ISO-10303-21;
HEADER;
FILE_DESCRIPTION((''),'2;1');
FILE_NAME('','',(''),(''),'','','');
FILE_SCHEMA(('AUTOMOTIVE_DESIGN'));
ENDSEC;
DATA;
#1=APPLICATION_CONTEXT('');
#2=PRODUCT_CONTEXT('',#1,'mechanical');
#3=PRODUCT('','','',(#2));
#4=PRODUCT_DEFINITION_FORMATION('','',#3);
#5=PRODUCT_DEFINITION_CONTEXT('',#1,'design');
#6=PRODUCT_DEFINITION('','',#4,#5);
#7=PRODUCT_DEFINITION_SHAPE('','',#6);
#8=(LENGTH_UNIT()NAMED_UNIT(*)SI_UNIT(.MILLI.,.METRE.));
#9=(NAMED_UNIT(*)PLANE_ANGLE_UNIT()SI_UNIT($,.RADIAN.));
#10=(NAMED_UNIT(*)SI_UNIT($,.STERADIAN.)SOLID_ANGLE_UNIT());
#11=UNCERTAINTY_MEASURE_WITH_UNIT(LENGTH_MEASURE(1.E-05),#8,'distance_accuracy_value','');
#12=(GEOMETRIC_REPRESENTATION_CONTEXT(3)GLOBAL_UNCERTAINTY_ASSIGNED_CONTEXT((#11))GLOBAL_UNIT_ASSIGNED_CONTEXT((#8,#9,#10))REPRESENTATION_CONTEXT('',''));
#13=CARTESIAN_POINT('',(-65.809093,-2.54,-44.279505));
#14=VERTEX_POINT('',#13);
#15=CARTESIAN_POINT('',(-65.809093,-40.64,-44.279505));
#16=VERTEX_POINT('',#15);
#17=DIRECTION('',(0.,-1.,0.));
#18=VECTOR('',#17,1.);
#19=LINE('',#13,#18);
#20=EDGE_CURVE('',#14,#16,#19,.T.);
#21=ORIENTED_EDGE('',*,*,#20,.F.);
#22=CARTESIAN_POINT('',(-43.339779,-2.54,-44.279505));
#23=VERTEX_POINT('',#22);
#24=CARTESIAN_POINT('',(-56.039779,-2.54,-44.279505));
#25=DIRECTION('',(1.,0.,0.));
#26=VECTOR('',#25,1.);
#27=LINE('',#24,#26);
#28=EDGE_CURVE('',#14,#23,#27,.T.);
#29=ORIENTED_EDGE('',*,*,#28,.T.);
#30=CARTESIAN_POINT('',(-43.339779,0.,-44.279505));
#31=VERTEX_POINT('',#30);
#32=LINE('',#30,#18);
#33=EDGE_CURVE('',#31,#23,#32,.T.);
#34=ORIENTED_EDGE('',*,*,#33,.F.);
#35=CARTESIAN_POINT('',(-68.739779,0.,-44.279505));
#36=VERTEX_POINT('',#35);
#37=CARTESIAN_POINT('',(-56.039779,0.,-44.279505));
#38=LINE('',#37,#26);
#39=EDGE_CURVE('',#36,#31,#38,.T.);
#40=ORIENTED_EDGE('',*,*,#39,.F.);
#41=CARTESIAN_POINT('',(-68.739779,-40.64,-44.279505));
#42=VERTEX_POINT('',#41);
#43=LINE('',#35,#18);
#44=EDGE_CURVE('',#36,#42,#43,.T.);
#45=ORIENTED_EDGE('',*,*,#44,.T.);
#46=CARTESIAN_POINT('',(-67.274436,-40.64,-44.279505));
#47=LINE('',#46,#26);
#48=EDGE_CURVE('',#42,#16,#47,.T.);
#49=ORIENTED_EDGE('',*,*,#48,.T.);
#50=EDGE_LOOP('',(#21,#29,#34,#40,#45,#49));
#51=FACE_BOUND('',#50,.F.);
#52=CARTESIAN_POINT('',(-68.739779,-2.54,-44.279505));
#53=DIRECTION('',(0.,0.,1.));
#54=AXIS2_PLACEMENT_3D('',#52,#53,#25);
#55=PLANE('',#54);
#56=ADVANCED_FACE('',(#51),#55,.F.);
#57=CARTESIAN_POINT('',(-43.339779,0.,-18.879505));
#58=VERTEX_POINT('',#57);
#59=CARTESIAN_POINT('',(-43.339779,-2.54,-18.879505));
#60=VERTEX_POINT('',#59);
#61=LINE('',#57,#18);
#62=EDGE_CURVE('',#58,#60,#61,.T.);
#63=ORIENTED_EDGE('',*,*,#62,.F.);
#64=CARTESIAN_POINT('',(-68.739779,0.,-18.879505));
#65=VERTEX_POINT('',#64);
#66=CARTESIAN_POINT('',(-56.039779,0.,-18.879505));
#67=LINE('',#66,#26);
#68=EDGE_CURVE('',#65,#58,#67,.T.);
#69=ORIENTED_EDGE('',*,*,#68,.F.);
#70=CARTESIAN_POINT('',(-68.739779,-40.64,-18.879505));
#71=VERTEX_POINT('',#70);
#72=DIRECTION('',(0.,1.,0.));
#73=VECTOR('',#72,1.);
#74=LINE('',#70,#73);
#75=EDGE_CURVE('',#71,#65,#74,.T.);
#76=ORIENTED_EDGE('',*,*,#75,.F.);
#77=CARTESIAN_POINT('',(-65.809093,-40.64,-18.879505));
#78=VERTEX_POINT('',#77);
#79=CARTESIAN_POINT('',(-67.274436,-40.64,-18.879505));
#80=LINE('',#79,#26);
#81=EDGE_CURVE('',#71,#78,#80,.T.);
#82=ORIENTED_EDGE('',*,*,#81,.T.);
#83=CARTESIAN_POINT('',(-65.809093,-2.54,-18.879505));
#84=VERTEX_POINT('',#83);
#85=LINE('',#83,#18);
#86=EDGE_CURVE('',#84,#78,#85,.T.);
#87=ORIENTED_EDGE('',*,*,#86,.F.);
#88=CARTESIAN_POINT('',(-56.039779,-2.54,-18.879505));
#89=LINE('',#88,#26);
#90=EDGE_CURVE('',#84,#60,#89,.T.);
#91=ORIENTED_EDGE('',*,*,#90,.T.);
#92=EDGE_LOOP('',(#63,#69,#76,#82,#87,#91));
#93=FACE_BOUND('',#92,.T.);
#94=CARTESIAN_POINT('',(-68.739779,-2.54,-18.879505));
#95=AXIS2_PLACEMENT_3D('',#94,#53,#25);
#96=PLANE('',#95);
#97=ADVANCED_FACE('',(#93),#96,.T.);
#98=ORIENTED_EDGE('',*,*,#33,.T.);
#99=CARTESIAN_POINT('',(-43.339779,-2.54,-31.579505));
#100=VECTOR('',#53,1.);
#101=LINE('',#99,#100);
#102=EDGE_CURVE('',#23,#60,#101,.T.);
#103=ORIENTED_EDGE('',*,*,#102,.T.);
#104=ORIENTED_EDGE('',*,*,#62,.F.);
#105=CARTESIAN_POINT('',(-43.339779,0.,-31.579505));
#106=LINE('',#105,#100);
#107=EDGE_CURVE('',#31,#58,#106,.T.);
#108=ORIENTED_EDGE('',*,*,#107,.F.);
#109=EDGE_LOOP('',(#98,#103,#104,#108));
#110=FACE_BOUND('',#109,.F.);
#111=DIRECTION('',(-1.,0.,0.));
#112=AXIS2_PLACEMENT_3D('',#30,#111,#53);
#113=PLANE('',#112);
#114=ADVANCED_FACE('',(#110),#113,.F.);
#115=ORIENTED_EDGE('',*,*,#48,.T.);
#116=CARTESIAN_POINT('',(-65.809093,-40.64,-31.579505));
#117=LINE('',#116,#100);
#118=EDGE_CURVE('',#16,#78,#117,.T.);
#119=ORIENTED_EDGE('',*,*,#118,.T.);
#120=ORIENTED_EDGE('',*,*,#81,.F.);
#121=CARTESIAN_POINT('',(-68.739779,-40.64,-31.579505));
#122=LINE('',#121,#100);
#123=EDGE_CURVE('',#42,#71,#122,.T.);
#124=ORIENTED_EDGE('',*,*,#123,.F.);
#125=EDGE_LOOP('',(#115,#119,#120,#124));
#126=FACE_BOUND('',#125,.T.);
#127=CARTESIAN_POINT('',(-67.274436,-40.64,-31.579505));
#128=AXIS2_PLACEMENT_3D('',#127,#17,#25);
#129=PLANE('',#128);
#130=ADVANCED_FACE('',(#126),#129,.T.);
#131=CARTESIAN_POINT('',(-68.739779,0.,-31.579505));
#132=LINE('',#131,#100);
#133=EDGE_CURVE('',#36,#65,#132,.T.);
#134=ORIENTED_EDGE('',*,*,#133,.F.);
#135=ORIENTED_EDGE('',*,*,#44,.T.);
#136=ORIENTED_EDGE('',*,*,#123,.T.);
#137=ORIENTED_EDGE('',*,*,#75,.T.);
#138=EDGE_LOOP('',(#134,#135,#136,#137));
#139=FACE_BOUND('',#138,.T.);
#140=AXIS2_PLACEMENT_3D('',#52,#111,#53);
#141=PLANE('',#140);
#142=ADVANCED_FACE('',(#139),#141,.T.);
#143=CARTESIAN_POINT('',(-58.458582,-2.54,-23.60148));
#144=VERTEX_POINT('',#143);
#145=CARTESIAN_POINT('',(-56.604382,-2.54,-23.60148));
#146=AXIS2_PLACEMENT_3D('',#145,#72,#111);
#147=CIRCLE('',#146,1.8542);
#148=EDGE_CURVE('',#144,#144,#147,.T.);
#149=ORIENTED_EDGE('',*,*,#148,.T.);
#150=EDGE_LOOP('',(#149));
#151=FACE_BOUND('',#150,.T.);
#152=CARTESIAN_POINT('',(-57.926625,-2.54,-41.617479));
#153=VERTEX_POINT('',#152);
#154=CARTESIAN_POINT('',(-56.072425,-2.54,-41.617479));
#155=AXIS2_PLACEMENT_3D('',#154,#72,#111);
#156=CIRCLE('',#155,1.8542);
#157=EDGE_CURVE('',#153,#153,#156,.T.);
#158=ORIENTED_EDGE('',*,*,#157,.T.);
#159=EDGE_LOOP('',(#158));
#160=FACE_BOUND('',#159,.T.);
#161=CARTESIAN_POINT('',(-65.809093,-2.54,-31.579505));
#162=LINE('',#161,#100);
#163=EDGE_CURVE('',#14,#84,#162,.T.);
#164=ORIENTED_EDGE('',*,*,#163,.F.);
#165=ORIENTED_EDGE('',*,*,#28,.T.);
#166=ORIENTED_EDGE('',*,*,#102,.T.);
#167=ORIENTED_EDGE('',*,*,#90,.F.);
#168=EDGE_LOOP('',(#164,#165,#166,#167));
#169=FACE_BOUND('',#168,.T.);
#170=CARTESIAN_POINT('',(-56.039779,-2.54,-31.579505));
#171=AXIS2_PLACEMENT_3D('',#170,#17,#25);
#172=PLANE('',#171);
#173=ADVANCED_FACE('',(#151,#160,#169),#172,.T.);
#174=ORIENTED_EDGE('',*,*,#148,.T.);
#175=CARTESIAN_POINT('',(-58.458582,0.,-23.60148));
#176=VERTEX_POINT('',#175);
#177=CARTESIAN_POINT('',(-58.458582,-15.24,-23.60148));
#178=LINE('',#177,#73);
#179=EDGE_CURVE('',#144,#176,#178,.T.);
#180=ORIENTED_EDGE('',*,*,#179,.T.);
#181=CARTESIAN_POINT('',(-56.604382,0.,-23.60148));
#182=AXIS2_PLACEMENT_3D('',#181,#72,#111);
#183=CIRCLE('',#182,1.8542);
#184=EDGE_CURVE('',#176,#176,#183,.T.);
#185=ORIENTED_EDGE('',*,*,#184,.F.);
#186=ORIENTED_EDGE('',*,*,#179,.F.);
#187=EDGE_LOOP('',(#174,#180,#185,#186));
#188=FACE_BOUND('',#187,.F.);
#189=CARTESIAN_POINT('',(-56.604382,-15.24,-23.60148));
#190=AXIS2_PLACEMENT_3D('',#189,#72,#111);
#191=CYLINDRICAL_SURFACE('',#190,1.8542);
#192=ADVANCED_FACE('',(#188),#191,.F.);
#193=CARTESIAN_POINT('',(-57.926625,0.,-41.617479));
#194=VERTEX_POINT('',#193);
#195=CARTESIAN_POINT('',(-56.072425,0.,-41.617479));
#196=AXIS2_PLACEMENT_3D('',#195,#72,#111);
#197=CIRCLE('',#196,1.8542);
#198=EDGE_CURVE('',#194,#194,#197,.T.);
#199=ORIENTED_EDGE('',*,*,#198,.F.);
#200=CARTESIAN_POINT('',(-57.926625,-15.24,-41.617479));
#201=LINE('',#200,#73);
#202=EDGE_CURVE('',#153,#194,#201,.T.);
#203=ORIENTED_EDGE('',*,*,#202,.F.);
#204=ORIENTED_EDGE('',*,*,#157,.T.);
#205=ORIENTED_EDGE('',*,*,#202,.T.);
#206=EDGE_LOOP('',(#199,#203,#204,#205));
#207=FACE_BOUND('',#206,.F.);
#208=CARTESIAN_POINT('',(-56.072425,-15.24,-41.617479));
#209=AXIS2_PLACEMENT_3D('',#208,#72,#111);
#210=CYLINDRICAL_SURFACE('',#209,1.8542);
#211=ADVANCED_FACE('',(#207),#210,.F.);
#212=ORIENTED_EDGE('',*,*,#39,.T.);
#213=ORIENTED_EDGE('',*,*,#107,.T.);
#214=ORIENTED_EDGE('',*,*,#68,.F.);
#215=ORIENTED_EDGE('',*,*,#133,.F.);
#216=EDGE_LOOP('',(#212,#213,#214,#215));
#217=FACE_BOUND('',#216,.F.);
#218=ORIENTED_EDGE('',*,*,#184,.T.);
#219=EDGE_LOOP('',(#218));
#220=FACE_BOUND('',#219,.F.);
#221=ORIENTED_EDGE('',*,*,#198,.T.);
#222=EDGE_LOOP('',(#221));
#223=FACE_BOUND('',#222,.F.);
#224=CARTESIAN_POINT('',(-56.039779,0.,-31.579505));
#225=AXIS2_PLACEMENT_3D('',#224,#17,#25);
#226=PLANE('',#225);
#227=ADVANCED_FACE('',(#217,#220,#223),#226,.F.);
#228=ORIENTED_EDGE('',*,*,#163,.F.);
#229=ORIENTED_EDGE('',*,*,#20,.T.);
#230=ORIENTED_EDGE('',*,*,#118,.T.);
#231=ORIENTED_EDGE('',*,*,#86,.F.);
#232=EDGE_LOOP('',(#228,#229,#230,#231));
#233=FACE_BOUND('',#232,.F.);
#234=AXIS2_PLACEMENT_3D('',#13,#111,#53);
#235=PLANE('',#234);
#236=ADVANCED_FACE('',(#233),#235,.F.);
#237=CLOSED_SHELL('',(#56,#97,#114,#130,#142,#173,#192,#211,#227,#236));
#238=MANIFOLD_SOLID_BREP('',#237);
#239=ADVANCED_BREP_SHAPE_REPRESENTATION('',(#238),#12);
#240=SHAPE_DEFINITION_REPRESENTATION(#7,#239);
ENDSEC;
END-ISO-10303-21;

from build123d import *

# Parameters (mm, degrees)
F0_W      = 25.4
F0_H      = 24.1169882938
F1_DEPTH  = 2.54
F0_H_2    = 25.4
F2_W      = 2.9306858778
F2_H      = 25.4
F4_DEPTH  = 38.1
F3_W      = 2.9306774
F3_H      = 24.1169882938
F6_D      = 3.7084
F6_DEPTH  = 12.7
F6_TIP    = 1.1141157598
F8_D      = 3.7084
F8_DEPTH  = 12.7
F8_TIP    = 1.1141157598
F11_D     = 3.7084
F11_DEPTH = 12.7
F11_TIP   = 1.1141157598


with BuildPart() as f1:
    # F0 (on Front) → F1 (new body)
    with BuildSketch(Plane.XZ):
        with Locations((25.2723555684, -23.3813137747)):
            Rectangle(F0_W, F0_H)
    extrude(amount=F1_DEPTH)

    # F3 (on face) → F4, piece 2 (join)
    with BuildSketch(Plane.XZ.offset(2.54)):
        with Locations((36.5070168684, -23.3813137747)):
            Rectangle(F3_W, F3_H)
    extrude(amount=F4_DEPTH)

    # F8
    with Locations(Plane.XZ.offset(2.54)):
        with Locations((24.4828648865, -16.1586906761)):
            Hole(F8_D / 2, depth=F8_DEPTH)
            with Locations((0, 0, -(F8_DEPTH + F8_TIP / 2))):  # 118° drill point
                Cone(0, F8_D / 2, F8_TIP, mode=Mode.SUBTRACT)


with BuildPart() as f1b:
    # F0 (on Front) → F1, piece 2 (new body)
    with BuildSketch(Plane.XZ):
        with Locations((-56.0397792935, -31.5795045674)):
            Rectangle(F0_W, F0_H_2)
    extrude(amount=F1_DEPTH)

    # F2 (on face) → F4 (join)
    with BuildSketch(Plane.XZ.offset(2.54)):
        with Locations((-67.2744363546, -31.5795045674)):
            Rectangle(F2_W, F2_H)
    extrude(amount=F4_DEPTH)

    # F6
    with Locations(Plane.XZ.offset(2.54)):
        with Locations((-56.6043816507, -23.6014798284)):
            Hole(F6_D / 2, depth=F6_DEPTH)
            with Locations((0, 0, -(F6_DEPTH + F6_TIP / 2))):  # 118° drill point
                Cone(0, F6_D / 2, F6_TIP, mode=Mode.SUBTRACT)

    # F11
    with Locations(Plane.XZ.offset(2.54)):
        with Locations((-56.0724250972, -41.6174791753)):
            Hole(F11_D / 2, depth=F11_DEPTH)
            with Locations((0, 0, -(F11_DEPTH + F11_TIP / 2))):  # 118° drill point
                Cone(0, F11_D / 2, F11_TIP, mode=Mode.SUBTRACT)


solid = f1b.part
